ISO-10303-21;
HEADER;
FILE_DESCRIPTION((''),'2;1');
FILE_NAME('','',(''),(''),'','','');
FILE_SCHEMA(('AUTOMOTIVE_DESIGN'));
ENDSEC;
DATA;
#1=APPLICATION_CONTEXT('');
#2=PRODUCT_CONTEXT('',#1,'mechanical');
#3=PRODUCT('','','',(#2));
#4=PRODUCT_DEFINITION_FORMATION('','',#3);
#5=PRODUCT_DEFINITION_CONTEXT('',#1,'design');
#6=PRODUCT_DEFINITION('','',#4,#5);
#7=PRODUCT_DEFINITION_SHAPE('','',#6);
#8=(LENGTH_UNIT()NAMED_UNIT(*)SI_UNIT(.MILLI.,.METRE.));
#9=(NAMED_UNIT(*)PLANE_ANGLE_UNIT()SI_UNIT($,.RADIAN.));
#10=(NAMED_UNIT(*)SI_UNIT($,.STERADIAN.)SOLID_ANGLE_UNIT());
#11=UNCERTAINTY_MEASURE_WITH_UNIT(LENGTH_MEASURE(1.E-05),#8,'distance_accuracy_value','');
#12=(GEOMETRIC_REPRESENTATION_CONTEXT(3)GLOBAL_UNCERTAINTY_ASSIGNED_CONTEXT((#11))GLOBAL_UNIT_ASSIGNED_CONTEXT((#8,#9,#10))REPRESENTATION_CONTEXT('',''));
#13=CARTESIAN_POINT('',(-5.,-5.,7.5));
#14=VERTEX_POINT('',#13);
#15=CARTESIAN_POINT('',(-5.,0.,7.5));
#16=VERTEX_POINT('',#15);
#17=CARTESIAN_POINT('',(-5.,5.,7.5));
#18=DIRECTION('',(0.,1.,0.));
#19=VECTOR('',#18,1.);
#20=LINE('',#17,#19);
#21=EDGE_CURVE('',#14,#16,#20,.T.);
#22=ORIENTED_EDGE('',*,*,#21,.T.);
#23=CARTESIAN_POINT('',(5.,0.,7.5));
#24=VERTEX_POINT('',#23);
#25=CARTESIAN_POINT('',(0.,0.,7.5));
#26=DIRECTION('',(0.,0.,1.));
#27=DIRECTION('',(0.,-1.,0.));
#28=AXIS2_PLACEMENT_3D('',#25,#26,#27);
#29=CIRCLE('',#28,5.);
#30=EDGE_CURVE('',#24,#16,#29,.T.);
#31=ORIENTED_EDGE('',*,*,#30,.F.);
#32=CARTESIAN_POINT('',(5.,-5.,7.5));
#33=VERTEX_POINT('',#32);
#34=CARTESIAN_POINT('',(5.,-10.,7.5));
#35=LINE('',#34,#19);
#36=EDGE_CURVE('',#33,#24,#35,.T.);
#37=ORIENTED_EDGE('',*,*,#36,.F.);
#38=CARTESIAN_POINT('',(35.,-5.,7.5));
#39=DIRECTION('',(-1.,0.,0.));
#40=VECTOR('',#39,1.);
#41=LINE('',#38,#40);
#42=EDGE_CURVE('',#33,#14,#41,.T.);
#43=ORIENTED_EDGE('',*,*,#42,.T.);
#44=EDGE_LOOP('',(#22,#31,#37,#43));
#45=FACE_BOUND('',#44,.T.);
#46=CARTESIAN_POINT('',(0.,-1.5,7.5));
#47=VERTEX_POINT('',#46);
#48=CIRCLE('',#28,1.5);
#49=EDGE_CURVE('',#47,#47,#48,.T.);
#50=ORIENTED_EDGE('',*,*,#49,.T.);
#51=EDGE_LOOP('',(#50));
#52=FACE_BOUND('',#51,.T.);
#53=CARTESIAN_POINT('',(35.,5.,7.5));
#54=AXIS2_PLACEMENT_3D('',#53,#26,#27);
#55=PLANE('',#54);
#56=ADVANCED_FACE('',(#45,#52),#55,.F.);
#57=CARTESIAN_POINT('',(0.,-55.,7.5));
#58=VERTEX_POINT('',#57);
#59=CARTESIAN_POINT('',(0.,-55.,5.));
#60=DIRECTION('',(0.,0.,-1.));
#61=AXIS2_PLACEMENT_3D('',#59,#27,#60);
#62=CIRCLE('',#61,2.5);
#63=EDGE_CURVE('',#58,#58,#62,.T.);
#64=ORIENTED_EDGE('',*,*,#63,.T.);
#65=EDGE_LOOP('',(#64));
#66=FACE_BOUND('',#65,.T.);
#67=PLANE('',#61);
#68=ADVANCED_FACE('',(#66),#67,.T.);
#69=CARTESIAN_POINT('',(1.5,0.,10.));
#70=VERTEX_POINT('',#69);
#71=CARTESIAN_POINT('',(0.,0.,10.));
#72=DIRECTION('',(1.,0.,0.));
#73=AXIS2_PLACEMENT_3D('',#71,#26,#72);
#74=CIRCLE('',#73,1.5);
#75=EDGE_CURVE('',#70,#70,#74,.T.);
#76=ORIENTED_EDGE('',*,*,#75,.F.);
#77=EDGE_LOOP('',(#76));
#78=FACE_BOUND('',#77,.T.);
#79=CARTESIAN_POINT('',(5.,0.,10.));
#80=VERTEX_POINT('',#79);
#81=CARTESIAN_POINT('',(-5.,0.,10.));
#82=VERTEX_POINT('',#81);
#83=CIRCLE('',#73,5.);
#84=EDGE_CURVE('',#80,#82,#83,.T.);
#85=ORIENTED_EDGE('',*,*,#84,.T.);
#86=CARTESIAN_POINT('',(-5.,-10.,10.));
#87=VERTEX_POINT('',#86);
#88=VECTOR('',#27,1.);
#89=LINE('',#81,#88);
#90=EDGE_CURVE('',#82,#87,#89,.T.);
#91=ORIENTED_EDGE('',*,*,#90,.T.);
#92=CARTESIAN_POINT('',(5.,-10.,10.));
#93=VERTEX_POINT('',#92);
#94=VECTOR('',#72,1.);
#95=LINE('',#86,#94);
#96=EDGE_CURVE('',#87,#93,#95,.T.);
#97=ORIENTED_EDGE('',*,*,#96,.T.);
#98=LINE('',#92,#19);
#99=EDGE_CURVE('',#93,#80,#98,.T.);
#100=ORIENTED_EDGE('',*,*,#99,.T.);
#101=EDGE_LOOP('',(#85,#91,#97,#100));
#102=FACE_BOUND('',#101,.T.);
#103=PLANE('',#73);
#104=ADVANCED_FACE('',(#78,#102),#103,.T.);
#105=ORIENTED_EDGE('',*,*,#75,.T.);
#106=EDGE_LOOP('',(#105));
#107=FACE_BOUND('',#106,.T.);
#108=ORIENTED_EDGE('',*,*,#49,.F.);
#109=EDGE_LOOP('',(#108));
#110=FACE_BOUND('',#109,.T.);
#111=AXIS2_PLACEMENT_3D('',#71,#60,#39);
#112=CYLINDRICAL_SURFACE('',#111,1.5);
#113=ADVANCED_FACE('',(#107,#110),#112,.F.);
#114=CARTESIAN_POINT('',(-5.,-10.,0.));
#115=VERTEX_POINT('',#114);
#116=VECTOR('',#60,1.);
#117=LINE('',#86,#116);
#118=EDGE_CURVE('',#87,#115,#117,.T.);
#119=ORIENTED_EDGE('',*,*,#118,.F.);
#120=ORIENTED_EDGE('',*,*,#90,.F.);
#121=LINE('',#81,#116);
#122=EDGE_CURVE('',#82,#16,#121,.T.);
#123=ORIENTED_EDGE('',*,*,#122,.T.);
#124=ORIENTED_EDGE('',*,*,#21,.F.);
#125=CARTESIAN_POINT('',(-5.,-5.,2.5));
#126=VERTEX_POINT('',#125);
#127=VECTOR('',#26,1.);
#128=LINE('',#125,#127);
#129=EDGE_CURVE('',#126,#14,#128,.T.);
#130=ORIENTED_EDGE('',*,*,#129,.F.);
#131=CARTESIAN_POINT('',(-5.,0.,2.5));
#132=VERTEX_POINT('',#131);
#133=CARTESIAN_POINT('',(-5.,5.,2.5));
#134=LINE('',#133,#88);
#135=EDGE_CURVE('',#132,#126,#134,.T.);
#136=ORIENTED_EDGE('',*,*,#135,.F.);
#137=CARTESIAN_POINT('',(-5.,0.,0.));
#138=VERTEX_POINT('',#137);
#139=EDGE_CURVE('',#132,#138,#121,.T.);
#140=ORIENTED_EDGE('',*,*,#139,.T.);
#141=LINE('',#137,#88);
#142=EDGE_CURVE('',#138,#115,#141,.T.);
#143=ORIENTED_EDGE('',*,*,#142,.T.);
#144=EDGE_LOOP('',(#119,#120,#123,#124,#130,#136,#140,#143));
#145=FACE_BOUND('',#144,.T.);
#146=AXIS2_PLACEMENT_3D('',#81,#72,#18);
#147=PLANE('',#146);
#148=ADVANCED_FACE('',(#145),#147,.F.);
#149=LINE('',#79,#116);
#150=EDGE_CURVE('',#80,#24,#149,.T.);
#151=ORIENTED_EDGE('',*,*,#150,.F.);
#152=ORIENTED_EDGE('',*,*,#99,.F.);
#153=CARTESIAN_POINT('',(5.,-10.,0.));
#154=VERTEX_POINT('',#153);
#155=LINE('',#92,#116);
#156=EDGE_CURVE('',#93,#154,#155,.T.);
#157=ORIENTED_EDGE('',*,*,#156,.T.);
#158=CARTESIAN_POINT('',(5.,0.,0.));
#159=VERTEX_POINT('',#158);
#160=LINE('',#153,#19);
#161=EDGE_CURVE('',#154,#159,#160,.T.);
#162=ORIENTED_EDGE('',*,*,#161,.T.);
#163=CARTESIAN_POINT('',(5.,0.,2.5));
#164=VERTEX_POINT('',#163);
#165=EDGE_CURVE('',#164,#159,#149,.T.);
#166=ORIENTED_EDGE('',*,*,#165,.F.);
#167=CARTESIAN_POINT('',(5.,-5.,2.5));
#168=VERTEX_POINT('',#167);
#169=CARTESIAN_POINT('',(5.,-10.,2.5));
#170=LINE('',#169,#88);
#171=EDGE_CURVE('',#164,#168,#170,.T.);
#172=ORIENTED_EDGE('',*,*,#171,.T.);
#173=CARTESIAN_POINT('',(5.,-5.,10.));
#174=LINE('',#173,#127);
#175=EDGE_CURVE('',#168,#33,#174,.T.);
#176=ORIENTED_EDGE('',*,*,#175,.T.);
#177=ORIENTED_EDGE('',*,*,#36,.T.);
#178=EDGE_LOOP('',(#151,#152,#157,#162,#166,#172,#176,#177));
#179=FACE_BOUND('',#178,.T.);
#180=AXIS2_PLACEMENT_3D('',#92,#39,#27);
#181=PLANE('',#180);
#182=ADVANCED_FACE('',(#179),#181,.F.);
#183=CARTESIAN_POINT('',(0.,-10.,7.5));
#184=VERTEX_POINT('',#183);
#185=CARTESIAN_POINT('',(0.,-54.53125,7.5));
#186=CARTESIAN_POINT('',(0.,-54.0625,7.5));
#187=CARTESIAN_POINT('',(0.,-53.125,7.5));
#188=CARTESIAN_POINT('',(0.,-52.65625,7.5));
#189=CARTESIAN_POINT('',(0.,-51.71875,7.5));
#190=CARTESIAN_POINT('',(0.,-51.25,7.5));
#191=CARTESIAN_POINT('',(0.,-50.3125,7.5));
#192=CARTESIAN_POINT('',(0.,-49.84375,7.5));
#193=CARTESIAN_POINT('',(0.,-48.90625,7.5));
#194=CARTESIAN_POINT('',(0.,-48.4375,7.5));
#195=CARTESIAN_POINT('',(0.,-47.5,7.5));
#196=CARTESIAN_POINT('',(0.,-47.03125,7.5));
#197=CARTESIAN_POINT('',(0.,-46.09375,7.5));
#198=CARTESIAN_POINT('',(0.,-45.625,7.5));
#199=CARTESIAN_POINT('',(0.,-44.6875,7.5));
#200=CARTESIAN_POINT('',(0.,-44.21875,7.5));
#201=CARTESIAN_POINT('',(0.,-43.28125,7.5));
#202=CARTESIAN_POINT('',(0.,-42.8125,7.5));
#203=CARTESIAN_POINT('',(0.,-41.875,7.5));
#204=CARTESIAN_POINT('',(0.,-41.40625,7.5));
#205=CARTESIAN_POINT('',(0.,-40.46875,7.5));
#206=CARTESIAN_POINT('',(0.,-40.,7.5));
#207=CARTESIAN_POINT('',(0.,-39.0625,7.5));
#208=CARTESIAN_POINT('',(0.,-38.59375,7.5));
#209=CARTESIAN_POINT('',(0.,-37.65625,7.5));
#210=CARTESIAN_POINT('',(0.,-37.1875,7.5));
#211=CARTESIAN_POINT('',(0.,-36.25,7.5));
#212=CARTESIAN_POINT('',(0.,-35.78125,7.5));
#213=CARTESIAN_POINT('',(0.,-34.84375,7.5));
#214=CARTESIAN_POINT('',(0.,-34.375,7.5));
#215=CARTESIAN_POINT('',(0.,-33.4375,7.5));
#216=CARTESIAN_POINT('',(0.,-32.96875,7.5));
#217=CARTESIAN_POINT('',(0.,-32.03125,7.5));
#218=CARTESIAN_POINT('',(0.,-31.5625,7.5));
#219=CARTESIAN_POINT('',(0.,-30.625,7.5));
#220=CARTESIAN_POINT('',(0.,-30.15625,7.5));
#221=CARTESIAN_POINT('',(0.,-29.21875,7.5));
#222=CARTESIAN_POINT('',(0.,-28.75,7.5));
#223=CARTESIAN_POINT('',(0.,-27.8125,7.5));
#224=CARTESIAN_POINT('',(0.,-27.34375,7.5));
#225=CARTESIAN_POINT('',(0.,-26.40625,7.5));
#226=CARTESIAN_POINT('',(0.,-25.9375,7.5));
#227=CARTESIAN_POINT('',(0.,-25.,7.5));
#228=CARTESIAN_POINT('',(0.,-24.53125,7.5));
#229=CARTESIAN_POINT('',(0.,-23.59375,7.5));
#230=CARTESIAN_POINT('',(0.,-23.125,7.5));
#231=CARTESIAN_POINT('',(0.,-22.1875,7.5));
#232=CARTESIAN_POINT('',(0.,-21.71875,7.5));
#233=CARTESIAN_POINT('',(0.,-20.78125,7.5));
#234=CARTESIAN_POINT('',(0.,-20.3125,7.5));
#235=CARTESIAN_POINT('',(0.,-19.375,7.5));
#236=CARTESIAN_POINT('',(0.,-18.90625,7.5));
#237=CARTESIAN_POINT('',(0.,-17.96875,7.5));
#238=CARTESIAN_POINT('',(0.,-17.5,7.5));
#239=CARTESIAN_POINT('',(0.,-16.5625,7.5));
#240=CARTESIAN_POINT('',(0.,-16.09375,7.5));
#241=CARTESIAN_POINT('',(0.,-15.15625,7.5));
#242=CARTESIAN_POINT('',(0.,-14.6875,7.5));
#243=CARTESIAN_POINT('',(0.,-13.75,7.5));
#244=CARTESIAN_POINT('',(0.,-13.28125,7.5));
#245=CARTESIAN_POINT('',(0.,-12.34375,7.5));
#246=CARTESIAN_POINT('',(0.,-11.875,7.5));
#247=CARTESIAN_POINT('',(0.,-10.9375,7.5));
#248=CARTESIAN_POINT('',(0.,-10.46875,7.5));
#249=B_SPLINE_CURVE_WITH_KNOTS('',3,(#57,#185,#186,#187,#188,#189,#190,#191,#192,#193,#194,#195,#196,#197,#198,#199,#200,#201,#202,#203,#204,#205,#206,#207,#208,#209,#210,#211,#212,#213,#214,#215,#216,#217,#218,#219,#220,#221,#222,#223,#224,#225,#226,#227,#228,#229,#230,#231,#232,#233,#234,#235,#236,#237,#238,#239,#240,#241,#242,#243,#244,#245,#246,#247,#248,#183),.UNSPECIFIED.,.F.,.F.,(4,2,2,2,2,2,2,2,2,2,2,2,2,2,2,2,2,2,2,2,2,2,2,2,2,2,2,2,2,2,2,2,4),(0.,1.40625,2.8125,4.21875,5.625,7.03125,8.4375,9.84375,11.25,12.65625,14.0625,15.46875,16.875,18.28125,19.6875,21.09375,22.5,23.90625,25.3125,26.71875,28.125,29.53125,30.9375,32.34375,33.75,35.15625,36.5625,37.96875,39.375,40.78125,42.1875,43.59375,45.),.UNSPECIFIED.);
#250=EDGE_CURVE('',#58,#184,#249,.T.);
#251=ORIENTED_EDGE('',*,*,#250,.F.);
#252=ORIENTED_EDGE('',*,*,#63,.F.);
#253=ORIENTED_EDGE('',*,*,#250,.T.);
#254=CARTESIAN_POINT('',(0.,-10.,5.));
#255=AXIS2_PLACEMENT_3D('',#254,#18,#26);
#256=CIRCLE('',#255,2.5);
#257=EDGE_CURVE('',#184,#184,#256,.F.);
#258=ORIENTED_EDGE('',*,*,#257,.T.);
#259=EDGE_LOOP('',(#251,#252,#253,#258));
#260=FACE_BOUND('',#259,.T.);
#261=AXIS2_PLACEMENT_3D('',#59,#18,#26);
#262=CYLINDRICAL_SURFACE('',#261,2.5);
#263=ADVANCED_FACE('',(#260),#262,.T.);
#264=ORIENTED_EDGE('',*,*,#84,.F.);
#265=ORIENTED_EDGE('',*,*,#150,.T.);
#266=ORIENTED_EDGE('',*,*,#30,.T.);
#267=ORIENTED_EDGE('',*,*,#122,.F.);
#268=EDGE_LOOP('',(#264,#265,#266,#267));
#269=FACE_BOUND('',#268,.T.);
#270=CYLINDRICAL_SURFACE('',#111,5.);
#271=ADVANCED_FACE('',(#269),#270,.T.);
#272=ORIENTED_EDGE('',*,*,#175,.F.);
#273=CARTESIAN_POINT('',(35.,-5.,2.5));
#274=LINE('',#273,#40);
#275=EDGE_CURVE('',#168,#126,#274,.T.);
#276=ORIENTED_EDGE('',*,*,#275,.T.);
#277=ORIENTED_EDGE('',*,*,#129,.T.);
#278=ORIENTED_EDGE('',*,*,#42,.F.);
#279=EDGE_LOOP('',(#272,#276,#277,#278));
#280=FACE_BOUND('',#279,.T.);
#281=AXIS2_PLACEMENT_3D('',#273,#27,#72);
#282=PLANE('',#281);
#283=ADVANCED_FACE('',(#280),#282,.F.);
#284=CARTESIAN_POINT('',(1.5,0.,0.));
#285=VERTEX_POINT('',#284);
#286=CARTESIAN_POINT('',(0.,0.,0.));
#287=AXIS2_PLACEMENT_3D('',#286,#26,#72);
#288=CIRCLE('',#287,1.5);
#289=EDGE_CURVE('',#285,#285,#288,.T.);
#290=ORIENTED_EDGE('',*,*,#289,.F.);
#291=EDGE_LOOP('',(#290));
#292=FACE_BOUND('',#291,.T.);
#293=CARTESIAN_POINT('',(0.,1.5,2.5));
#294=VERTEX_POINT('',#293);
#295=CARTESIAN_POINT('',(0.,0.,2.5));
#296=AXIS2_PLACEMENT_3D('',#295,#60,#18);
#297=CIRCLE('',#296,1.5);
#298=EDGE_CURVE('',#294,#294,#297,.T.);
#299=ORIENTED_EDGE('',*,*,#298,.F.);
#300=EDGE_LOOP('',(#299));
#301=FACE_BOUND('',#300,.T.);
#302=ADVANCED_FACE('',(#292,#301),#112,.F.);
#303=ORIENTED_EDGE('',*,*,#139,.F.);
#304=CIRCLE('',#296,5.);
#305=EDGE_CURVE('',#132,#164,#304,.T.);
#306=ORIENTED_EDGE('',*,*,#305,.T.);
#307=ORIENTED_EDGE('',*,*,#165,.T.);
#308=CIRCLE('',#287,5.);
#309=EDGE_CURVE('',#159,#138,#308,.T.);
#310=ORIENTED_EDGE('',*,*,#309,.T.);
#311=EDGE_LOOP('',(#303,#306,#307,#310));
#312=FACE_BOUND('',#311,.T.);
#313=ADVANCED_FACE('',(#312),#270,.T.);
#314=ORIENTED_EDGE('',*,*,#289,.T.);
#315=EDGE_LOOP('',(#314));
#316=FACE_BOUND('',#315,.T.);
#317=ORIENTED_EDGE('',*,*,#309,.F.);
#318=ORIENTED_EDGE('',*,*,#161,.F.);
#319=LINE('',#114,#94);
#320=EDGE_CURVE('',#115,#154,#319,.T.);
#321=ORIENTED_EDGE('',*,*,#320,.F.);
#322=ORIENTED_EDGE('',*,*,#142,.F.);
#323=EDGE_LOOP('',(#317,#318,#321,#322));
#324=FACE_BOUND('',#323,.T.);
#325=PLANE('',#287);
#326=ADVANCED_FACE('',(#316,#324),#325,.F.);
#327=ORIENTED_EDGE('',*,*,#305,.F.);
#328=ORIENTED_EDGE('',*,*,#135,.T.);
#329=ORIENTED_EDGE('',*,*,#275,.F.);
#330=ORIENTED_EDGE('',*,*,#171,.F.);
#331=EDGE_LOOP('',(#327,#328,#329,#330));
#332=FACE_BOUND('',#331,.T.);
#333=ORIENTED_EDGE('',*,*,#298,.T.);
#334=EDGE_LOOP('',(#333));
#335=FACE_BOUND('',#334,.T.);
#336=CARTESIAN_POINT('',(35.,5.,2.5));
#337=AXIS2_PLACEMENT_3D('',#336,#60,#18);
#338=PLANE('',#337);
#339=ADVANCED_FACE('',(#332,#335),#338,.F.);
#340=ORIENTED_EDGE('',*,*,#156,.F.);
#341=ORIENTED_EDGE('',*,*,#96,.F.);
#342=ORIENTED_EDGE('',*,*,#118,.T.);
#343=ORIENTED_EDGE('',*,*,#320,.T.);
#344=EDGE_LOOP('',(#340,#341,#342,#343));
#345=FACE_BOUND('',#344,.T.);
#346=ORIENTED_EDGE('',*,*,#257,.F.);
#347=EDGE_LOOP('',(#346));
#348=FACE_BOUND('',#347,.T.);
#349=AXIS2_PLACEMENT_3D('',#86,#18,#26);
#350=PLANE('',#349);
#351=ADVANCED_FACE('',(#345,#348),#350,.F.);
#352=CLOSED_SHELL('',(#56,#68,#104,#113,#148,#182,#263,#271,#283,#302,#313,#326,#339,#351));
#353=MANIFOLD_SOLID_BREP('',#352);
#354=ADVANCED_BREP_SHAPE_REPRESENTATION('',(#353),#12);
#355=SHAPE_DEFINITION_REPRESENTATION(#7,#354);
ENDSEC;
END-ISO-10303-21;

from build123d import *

# Parameters (mm, degrees)
CROQUIS1_R              = 1.5
SALIENTE_EXTRUIR1_DEPTH = 10
CROQUIS2_R              = 2.5
SALIENTE_EXTRUIR2_DEPTH = 45
CROQUIS3_W              = 5
CROQUIS3_H              = 10
CORTAR_EXTRUIR1_DEPTH   = 40


with BuildPart() as part:
    # Croquis1 → Saliente-Extruir1 (new body)
    with BuildSketch(Plane.XY):
        with BuildLine():
            Line((-5, 0), (-5, -10))
            Line((-5, -10), (5, -10))
            Line((5, -10), (5, 0))
            ThreePointArc((5, 0), (0, 5), (-5, 0))
        make_face()
        Circle(CROQUIS1_R, mode=Mode.SUBTRACT)
    extrude(amount=SALIENTE_EXTRUIR1_DEPTH)

    # Croquis2 → Saliente-Extruir2 (add)
    with BuildSketch(Plane.XZ.offset(10)):
        with Locations((0, 5)):
            Circle(CROQUIS2_R)
    extrude(amount=SALIENTE_EXTRUIR2_DEPTH)

    # Croquis3 → Cortar-Extruir1 (cut)
    with BuildSketch(Plane.ZY.offset(5)):
        with Locations((5, 0)):
            Rectangle(CROQUIS3_W, CROQUIS3_H)
    extrude(amount=-CORTAR_EXTRUIR1_DEPTH, mode=Mode.SUBTRACT)


solid = part.part
